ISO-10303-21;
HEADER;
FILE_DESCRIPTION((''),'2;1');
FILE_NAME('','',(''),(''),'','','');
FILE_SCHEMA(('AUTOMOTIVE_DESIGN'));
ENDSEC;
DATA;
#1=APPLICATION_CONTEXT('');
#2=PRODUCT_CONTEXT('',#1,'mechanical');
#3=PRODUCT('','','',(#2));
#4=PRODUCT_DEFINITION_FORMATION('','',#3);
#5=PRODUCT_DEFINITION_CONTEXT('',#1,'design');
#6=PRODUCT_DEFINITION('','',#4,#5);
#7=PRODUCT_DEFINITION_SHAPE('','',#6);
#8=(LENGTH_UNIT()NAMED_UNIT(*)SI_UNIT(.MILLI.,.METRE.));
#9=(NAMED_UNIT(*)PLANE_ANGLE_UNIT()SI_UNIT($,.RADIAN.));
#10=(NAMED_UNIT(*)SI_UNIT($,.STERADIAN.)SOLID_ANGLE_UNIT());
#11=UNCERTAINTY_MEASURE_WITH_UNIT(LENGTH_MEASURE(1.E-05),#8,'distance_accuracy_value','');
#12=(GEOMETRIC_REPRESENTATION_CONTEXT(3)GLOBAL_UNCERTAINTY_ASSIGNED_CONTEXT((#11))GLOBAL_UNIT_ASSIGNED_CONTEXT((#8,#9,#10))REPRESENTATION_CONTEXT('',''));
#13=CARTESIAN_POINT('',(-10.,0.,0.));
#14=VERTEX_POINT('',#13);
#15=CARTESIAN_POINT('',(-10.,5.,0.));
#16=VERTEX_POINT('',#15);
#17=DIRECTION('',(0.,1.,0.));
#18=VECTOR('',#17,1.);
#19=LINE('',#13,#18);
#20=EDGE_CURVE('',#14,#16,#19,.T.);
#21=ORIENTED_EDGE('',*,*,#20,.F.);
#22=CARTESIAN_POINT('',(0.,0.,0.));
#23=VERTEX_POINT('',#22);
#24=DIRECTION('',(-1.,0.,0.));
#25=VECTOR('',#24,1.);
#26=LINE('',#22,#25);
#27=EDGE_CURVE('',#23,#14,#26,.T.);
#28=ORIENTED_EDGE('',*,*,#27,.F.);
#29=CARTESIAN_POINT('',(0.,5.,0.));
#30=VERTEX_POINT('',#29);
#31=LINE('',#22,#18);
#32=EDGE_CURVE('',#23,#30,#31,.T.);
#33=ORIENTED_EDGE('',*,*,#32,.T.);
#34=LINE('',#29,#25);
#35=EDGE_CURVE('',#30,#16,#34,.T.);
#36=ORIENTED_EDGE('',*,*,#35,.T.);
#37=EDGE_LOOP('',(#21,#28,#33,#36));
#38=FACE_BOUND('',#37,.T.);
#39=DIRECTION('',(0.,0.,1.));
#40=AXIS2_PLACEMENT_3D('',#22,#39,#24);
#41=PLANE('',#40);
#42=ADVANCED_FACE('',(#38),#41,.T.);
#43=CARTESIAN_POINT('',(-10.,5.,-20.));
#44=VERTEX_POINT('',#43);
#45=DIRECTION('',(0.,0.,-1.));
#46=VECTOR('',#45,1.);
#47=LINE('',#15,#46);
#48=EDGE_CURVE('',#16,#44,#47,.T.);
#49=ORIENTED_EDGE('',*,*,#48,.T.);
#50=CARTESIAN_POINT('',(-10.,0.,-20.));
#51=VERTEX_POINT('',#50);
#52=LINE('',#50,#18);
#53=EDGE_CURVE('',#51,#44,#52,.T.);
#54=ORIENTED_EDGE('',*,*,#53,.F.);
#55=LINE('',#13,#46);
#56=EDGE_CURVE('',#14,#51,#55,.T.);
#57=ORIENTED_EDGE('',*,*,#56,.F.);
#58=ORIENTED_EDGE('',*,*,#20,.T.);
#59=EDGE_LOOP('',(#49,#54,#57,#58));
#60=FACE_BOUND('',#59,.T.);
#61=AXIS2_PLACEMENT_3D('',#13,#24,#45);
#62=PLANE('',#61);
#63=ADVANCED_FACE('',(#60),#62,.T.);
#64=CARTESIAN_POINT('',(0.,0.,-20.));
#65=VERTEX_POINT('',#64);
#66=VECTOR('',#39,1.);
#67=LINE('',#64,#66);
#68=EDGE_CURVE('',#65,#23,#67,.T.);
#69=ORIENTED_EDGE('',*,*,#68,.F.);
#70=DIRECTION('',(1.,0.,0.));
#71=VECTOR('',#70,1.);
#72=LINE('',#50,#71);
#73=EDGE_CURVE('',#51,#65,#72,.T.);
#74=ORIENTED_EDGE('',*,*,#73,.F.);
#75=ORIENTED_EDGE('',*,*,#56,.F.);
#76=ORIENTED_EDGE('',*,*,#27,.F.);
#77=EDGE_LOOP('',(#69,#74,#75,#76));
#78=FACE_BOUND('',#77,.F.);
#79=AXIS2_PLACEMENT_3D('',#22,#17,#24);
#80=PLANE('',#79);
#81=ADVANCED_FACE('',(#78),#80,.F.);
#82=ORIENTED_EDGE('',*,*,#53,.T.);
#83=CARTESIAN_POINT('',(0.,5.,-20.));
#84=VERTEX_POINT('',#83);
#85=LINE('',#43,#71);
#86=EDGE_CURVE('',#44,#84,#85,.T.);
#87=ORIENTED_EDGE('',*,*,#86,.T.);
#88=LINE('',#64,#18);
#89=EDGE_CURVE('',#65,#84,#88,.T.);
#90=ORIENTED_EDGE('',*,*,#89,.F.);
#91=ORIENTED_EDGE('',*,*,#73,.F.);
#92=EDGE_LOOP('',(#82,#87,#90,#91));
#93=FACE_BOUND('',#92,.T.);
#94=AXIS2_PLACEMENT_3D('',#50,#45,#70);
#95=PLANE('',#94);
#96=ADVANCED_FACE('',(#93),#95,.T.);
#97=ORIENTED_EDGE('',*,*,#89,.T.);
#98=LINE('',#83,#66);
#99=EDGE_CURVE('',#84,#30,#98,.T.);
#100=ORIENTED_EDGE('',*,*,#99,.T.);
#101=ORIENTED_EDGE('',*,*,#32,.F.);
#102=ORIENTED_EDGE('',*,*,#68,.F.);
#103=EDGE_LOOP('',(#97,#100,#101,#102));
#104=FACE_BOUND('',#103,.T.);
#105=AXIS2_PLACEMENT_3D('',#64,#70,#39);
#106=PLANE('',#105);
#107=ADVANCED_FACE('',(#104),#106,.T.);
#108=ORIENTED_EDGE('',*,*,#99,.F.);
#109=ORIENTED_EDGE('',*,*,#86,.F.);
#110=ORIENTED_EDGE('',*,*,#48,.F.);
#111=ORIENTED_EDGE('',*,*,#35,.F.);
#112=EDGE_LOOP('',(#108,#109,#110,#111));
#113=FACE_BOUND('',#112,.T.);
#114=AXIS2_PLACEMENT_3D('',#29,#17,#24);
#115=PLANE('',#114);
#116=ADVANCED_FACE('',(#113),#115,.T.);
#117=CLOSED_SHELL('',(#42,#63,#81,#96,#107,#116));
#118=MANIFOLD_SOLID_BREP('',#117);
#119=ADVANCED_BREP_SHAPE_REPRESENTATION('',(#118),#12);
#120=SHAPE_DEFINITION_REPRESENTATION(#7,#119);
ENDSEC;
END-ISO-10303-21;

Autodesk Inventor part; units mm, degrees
ref_plane "YZ Plane" through (0, 0, 0) normal (1, 0, 0) x (0, 1, 0)
ref_plane "XZ Plane" through (0, 0, 0) normal (0, 1, 0) x (-1, 0, 0)
ref_plane "XY Plane" through (0, 0, 0) normal (0, 0, 1) x (1, 0, 0)
sketch "スケッチ1" plane through (0, 0, 0) normal (0, 1, 0) x (-1, 0, 0)
  line L0 (0, 0) -> (10, 0)
  line L1 (10, 0) -> (10, -20)
  line L2 (10, -20) -> (0, -20)
  line L3 (0, -20) -> (0, 0)
  dimension "d0" = 10
  dimension "d1" = 20
extrude "押し出し1" add sketch "スケッチ1" along normal blind 5
